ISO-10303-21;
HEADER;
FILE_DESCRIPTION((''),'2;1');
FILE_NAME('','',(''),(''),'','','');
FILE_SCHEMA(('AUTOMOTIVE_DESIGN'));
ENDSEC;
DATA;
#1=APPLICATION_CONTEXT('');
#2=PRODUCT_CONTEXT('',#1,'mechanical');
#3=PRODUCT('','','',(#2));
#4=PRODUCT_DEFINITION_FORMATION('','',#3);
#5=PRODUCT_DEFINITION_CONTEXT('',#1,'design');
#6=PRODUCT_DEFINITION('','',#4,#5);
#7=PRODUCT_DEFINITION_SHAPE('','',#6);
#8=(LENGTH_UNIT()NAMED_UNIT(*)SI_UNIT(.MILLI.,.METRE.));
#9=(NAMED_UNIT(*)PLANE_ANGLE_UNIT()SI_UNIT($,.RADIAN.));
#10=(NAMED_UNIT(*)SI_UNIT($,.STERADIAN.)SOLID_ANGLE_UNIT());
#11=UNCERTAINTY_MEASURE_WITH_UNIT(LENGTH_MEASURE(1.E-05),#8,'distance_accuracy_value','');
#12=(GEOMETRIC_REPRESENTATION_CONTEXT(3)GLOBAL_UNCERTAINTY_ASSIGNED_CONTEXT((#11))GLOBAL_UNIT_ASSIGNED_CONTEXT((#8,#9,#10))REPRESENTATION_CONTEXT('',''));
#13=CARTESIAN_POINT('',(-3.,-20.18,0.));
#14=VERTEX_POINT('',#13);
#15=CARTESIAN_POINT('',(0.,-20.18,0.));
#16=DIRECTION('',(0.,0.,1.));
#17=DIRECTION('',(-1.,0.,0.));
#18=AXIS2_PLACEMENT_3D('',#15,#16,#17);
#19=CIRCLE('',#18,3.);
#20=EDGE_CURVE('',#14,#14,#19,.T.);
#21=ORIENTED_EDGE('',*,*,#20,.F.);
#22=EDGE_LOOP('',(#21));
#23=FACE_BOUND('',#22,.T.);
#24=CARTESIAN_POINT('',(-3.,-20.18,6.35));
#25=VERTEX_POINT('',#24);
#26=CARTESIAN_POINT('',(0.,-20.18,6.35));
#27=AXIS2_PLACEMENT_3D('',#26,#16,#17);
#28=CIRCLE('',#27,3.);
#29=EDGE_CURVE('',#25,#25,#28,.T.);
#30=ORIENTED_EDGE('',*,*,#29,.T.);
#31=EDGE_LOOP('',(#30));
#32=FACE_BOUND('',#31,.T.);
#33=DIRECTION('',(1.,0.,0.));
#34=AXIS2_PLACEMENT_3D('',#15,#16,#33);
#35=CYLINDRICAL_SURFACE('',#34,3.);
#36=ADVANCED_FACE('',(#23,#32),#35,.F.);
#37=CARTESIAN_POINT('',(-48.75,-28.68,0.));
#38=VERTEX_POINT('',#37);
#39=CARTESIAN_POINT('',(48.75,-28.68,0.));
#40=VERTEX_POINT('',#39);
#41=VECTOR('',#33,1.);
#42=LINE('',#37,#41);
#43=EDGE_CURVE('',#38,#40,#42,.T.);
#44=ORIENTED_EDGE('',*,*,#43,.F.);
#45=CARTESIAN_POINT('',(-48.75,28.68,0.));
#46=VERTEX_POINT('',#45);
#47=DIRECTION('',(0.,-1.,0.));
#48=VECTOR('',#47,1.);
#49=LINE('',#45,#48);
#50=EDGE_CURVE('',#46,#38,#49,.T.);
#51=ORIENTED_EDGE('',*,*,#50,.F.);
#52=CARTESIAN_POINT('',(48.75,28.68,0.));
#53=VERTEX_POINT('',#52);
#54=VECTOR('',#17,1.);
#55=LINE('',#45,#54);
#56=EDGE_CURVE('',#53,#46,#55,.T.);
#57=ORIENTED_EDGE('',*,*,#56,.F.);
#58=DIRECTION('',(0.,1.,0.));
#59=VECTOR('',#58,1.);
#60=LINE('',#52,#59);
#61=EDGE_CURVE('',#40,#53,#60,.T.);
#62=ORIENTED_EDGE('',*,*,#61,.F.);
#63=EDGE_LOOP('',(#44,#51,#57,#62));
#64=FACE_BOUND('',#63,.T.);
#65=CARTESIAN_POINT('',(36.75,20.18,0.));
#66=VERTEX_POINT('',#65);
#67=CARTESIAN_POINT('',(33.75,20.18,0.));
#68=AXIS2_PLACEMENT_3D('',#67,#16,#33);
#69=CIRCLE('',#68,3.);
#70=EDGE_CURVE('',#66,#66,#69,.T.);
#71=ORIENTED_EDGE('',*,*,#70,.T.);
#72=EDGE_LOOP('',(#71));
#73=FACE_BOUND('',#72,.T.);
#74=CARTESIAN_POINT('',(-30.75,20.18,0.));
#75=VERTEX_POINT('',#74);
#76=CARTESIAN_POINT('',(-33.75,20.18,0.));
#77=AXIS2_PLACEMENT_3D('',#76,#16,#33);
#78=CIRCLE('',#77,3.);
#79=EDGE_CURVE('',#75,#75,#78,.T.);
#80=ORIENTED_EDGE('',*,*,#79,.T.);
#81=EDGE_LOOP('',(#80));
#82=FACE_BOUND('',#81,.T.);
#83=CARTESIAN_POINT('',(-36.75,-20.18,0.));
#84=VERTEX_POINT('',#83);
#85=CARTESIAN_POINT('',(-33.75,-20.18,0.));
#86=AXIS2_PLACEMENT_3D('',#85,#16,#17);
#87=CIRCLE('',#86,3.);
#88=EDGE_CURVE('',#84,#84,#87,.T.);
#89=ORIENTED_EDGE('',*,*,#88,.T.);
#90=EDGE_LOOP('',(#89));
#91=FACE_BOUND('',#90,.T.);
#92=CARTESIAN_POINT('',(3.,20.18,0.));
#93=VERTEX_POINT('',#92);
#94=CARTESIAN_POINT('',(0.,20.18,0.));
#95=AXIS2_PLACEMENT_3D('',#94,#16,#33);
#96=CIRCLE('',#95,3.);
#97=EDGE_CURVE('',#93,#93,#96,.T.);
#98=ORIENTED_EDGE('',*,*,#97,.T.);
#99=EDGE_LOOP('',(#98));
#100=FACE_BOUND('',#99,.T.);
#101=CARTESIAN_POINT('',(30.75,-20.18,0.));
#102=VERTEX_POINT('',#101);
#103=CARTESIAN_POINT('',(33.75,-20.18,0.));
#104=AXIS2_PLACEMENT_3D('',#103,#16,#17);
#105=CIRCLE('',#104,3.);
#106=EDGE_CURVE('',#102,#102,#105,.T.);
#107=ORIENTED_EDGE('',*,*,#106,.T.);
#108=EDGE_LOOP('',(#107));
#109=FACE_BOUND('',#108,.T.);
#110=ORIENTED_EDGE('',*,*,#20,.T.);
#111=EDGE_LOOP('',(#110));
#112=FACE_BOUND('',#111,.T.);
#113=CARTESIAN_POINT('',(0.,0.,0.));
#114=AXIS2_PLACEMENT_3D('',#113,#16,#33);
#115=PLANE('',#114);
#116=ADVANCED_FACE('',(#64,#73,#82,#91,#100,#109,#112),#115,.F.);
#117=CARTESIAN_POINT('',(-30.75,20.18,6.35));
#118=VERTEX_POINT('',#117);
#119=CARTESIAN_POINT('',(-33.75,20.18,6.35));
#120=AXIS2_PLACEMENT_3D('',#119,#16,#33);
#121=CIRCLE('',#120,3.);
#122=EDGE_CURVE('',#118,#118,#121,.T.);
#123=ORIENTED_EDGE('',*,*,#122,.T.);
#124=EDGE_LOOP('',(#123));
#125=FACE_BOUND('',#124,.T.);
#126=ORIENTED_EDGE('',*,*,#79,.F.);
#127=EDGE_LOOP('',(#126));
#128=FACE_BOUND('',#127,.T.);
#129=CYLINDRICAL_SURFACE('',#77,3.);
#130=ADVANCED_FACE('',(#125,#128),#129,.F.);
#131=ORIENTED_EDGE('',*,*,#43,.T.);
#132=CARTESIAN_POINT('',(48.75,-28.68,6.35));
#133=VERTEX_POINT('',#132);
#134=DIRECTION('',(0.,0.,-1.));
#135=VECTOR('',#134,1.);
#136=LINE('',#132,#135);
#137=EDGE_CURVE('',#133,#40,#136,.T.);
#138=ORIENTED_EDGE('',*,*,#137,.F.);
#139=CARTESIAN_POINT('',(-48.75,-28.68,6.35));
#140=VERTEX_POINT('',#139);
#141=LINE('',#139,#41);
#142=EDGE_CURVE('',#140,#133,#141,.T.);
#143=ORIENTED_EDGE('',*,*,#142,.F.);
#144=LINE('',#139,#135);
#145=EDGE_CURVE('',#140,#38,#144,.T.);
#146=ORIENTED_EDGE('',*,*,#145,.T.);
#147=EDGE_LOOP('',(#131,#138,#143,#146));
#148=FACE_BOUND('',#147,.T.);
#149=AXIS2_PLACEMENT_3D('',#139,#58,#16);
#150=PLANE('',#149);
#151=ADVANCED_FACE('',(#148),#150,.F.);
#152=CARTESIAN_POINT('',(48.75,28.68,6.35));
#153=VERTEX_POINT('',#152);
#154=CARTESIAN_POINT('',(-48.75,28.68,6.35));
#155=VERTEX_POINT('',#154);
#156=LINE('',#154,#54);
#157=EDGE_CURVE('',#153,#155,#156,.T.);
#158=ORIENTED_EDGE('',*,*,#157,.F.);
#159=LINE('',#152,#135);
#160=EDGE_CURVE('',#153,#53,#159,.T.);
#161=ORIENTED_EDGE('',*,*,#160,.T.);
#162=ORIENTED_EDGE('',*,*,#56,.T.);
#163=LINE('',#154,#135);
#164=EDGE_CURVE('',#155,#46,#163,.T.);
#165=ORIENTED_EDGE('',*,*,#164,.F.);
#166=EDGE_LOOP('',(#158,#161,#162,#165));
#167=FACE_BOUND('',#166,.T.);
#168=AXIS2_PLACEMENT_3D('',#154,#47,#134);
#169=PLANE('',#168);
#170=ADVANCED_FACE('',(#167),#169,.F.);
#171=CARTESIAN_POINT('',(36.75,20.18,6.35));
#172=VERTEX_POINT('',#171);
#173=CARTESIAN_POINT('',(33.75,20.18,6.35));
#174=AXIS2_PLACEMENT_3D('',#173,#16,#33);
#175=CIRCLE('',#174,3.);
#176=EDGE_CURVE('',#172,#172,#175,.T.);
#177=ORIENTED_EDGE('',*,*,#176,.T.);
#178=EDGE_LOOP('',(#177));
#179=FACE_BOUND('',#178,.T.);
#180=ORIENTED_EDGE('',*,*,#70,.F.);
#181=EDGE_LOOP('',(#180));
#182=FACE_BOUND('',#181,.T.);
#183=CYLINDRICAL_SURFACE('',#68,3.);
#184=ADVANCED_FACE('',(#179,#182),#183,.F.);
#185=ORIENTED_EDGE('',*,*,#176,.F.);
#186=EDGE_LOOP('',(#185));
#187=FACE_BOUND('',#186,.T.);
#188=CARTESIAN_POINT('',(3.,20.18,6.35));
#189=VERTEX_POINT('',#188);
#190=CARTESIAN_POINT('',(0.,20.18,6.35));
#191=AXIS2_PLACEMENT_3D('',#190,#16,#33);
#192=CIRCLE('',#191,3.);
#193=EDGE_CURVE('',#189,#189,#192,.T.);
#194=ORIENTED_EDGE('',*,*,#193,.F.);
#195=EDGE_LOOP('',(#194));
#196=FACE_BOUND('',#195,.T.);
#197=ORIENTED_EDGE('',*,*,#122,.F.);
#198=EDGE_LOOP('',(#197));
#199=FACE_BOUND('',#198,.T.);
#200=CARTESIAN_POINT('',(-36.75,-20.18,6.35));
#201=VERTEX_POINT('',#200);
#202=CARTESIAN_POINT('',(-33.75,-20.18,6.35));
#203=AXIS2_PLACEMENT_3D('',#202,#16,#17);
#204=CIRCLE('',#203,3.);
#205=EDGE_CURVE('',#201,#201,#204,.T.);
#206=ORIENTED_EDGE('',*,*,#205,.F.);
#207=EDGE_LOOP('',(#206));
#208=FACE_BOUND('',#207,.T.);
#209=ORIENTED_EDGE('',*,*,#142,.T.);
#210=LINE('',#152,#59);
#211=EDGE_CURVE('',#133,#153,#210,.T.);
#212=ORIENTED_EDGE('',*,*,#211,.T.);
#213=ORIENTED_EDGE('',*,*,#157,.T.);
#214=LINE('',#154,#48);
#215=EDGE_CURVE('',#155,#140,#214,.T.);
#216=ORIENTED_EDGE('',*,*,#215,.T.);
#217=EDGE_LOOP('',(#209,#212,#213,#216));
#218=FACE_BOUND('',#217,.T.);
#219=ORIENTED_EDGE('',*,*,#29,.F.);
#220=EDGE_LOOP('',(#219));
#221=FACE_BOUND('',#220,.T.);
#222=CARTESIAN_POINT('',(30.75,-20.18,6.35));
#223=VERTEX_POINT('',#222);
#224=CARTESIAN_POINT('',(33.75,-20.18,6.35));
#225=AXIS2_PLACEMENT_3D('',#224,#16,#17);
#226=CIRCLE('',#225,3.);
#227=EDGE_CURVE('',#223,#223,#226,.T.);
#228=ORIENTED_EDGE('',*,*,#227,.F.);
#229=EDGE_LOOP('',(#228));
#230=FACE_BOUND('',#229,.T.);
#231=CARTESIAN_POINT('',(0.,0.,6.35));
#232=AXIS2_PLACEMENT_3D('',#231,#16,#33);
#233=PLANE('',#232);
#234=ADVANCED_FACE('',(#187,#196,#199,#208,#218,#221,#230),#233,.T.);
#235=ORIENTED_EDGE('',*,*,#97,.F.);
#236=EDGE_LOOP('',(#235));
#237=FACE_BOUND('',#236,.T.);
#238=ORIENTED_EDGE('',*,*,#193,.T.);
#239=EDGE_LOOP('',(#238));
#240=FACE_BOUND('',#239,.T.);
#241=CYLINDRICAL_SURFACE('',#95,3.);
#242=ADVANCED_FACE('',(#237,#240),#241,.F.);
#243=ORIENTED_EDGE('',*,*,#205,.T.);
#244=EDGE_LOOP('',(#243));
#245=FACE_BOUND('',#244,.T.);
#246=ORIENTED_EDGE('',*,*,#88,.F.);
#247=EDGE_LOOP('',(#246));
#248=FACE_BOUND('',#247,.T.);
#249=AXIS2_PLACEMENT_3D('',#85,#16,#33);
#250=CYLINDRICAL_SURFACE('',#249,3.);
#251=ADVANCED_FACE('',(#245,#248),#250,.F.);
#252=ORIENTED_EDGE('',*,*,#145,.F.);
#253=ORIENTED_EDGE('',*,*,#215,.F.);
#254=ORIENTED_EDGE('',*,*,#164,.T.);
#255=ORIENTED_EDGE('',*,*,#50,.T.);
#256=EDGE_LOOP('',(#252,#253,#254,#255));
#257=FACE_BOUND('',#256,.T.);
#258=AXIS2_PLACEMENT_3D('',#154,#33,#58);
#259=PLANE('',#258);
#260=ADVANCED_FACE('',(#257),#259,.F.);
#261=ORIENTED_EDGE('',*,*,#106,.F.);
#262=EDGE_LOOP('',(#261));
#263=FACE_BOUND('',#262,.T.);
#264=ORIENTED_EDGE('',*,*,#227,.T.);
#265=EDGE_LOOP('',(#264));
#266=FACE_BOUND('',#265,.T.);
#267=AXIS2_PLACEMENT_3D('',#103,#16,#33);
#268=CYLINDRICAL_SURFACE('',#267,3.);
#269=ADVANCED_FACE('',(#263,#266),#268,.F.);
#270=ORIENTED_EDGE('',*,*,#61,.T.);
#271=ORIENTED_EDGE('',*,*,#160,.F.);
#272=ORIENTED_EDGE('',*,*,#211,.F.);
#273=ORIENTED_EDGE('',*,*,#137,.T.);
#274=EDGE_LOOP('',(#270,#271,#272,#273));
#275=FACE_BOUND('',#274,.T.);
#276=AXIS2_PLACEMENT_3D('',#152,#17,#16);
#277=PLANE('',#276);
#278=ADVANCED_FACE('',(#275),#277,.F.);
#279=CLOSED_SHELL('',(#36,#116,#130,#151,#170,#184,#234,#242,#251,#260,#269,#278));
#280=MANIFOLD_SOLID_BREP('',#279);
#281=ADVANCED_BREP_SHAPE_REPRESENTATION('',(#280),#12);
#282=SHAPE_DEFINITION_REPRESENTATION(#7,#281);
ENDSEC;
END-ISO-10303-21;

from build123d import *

# Parameters (mm, degrees)
SKETCH1_W           = 97.5
SKETCH1_H           = 57.36
BOSS_EXTRUDE1_DEPTH = 6.35
SKETCH2_R           = 3
CUT_EXTRUDE1_DEPTH  = 57.915967882


with BuildPart() as part:
    # Sketch1 → Boss-Extrude1 (new body)
    with BuildSketch(Plane.XY):
        Rectangle(SKETCH1_W, SKETCH1_H)
    extrude(amount=BOSS_EXTRUDE1_DEPTH)

    # Sketch2 → Cut-Extrude1 (cut, through all)
    with BuildSketch(Plane.XY.offset(6.35)):
        with Locations((-33.75, 20.18)):
            Circle(SKETCH2_R)
        with Locations((0, 20.18)):
            Circle(SKETCH2_R)
        with Locations((33.75, 20.18)):
            Circle(SKETCH2_R)
        with Locations(Location((33.75, -20.18, 0), (0, 0, 180))):
            Circle(SKETCH2_R)
        with Locations(Location((0, -20.18, 0), (0, 0, 180))):
            Circle(SKETCH2_R)
        with Locations(Location((-33.75, -20.18, 0), (0, 0, 180))):
            Circle(SKETCH2_R)
    extrude(amount=-CUT_EXTRUDE1_DEPTH, mode=Mode.SUBTRACT)


solid = part.part
